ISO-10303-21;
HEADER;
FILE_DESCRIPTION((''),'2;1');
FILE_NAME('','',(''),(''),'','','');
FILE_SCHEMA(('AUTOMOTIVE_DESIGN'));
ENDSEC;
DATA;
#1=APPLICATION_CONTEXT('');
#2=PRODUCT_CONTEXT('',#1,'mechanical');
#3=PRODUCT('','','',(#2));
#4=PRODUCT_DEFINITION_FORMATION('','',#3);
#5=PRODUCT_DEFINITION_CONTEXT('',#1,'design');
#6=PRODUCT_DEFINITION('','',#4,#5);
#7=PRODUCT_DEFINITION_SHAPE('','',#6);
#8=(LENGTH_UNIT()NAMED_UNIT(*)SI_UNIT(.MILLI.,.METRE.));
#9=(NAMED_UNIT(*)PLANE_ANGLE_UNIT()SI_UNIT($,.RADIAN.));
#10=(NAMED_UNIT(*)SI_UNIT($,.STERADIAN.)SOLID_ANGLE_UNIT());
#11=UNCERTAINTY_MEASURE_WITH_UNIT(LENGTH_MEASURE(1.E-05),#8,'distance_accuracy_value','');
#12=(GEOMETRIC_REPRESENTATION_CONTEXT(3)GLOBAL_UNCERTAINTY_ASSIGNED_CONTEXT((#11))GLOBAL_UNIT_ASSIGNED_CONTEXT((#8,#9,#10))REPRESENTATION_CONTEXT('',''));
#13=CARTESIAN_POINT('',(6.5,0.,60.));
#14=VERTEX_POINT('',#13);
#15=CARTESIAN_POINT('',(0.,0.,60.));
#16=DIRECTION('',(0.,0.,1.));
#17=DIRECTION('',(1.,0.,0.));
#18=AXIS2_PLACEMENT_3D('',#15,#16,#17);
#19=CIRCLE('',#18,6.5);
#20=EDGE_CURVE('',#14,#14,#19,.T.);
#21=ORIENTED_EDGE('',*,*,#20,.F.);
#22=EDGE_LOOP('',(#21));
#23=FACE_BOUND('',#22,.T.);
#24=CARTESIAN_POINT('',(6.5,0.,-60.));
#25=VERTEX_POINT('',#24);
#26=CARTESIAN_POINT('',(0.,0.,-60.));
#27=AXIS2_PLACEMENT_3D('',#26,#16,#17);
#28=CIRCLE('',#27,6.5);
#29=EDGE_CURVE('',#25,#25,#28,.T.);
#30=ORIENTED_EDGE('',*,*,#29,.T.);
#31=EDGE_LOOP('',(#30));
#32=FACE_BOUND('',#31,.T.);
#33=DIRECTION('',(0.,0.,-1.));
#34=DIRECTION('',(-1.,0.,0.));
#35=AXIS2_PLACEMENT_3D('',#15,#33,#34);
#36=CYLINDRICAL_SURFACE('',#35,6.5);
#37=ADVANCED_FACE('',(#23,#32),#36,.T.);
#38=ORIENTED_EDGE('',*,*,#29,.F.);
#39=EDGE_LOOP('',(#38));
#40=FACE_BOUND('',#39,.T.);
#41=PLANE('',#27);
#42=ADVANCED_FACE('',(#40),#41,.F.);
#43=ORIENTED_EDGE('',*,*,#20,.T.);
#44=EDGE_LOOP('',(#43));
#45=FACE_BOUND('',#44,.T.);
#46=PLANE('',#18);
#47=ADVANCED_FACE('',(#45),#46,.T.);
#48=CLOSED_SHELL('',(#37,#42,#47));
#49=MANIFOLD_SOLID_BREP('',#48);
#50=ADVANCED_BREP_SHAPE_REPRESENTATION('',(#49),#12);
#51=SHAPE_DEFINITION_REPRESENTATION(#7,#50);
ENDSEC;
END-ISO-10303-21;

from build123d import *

# Parameters (mm, degrees)
SKETCH1_R           = 6.5
BOSS_EXTRUDE1_DEPTH = 60


with BuildPart() as part:
    # Sketch1 → Boss-Extrude1 (new body, symmetric)
    with BuildSketch(Plane.XY):
        Circle(SKETCH1_R)
    extrude(amount=BOSS_EXTRUDE1_DEPTH, both=True)


solid = part.part
